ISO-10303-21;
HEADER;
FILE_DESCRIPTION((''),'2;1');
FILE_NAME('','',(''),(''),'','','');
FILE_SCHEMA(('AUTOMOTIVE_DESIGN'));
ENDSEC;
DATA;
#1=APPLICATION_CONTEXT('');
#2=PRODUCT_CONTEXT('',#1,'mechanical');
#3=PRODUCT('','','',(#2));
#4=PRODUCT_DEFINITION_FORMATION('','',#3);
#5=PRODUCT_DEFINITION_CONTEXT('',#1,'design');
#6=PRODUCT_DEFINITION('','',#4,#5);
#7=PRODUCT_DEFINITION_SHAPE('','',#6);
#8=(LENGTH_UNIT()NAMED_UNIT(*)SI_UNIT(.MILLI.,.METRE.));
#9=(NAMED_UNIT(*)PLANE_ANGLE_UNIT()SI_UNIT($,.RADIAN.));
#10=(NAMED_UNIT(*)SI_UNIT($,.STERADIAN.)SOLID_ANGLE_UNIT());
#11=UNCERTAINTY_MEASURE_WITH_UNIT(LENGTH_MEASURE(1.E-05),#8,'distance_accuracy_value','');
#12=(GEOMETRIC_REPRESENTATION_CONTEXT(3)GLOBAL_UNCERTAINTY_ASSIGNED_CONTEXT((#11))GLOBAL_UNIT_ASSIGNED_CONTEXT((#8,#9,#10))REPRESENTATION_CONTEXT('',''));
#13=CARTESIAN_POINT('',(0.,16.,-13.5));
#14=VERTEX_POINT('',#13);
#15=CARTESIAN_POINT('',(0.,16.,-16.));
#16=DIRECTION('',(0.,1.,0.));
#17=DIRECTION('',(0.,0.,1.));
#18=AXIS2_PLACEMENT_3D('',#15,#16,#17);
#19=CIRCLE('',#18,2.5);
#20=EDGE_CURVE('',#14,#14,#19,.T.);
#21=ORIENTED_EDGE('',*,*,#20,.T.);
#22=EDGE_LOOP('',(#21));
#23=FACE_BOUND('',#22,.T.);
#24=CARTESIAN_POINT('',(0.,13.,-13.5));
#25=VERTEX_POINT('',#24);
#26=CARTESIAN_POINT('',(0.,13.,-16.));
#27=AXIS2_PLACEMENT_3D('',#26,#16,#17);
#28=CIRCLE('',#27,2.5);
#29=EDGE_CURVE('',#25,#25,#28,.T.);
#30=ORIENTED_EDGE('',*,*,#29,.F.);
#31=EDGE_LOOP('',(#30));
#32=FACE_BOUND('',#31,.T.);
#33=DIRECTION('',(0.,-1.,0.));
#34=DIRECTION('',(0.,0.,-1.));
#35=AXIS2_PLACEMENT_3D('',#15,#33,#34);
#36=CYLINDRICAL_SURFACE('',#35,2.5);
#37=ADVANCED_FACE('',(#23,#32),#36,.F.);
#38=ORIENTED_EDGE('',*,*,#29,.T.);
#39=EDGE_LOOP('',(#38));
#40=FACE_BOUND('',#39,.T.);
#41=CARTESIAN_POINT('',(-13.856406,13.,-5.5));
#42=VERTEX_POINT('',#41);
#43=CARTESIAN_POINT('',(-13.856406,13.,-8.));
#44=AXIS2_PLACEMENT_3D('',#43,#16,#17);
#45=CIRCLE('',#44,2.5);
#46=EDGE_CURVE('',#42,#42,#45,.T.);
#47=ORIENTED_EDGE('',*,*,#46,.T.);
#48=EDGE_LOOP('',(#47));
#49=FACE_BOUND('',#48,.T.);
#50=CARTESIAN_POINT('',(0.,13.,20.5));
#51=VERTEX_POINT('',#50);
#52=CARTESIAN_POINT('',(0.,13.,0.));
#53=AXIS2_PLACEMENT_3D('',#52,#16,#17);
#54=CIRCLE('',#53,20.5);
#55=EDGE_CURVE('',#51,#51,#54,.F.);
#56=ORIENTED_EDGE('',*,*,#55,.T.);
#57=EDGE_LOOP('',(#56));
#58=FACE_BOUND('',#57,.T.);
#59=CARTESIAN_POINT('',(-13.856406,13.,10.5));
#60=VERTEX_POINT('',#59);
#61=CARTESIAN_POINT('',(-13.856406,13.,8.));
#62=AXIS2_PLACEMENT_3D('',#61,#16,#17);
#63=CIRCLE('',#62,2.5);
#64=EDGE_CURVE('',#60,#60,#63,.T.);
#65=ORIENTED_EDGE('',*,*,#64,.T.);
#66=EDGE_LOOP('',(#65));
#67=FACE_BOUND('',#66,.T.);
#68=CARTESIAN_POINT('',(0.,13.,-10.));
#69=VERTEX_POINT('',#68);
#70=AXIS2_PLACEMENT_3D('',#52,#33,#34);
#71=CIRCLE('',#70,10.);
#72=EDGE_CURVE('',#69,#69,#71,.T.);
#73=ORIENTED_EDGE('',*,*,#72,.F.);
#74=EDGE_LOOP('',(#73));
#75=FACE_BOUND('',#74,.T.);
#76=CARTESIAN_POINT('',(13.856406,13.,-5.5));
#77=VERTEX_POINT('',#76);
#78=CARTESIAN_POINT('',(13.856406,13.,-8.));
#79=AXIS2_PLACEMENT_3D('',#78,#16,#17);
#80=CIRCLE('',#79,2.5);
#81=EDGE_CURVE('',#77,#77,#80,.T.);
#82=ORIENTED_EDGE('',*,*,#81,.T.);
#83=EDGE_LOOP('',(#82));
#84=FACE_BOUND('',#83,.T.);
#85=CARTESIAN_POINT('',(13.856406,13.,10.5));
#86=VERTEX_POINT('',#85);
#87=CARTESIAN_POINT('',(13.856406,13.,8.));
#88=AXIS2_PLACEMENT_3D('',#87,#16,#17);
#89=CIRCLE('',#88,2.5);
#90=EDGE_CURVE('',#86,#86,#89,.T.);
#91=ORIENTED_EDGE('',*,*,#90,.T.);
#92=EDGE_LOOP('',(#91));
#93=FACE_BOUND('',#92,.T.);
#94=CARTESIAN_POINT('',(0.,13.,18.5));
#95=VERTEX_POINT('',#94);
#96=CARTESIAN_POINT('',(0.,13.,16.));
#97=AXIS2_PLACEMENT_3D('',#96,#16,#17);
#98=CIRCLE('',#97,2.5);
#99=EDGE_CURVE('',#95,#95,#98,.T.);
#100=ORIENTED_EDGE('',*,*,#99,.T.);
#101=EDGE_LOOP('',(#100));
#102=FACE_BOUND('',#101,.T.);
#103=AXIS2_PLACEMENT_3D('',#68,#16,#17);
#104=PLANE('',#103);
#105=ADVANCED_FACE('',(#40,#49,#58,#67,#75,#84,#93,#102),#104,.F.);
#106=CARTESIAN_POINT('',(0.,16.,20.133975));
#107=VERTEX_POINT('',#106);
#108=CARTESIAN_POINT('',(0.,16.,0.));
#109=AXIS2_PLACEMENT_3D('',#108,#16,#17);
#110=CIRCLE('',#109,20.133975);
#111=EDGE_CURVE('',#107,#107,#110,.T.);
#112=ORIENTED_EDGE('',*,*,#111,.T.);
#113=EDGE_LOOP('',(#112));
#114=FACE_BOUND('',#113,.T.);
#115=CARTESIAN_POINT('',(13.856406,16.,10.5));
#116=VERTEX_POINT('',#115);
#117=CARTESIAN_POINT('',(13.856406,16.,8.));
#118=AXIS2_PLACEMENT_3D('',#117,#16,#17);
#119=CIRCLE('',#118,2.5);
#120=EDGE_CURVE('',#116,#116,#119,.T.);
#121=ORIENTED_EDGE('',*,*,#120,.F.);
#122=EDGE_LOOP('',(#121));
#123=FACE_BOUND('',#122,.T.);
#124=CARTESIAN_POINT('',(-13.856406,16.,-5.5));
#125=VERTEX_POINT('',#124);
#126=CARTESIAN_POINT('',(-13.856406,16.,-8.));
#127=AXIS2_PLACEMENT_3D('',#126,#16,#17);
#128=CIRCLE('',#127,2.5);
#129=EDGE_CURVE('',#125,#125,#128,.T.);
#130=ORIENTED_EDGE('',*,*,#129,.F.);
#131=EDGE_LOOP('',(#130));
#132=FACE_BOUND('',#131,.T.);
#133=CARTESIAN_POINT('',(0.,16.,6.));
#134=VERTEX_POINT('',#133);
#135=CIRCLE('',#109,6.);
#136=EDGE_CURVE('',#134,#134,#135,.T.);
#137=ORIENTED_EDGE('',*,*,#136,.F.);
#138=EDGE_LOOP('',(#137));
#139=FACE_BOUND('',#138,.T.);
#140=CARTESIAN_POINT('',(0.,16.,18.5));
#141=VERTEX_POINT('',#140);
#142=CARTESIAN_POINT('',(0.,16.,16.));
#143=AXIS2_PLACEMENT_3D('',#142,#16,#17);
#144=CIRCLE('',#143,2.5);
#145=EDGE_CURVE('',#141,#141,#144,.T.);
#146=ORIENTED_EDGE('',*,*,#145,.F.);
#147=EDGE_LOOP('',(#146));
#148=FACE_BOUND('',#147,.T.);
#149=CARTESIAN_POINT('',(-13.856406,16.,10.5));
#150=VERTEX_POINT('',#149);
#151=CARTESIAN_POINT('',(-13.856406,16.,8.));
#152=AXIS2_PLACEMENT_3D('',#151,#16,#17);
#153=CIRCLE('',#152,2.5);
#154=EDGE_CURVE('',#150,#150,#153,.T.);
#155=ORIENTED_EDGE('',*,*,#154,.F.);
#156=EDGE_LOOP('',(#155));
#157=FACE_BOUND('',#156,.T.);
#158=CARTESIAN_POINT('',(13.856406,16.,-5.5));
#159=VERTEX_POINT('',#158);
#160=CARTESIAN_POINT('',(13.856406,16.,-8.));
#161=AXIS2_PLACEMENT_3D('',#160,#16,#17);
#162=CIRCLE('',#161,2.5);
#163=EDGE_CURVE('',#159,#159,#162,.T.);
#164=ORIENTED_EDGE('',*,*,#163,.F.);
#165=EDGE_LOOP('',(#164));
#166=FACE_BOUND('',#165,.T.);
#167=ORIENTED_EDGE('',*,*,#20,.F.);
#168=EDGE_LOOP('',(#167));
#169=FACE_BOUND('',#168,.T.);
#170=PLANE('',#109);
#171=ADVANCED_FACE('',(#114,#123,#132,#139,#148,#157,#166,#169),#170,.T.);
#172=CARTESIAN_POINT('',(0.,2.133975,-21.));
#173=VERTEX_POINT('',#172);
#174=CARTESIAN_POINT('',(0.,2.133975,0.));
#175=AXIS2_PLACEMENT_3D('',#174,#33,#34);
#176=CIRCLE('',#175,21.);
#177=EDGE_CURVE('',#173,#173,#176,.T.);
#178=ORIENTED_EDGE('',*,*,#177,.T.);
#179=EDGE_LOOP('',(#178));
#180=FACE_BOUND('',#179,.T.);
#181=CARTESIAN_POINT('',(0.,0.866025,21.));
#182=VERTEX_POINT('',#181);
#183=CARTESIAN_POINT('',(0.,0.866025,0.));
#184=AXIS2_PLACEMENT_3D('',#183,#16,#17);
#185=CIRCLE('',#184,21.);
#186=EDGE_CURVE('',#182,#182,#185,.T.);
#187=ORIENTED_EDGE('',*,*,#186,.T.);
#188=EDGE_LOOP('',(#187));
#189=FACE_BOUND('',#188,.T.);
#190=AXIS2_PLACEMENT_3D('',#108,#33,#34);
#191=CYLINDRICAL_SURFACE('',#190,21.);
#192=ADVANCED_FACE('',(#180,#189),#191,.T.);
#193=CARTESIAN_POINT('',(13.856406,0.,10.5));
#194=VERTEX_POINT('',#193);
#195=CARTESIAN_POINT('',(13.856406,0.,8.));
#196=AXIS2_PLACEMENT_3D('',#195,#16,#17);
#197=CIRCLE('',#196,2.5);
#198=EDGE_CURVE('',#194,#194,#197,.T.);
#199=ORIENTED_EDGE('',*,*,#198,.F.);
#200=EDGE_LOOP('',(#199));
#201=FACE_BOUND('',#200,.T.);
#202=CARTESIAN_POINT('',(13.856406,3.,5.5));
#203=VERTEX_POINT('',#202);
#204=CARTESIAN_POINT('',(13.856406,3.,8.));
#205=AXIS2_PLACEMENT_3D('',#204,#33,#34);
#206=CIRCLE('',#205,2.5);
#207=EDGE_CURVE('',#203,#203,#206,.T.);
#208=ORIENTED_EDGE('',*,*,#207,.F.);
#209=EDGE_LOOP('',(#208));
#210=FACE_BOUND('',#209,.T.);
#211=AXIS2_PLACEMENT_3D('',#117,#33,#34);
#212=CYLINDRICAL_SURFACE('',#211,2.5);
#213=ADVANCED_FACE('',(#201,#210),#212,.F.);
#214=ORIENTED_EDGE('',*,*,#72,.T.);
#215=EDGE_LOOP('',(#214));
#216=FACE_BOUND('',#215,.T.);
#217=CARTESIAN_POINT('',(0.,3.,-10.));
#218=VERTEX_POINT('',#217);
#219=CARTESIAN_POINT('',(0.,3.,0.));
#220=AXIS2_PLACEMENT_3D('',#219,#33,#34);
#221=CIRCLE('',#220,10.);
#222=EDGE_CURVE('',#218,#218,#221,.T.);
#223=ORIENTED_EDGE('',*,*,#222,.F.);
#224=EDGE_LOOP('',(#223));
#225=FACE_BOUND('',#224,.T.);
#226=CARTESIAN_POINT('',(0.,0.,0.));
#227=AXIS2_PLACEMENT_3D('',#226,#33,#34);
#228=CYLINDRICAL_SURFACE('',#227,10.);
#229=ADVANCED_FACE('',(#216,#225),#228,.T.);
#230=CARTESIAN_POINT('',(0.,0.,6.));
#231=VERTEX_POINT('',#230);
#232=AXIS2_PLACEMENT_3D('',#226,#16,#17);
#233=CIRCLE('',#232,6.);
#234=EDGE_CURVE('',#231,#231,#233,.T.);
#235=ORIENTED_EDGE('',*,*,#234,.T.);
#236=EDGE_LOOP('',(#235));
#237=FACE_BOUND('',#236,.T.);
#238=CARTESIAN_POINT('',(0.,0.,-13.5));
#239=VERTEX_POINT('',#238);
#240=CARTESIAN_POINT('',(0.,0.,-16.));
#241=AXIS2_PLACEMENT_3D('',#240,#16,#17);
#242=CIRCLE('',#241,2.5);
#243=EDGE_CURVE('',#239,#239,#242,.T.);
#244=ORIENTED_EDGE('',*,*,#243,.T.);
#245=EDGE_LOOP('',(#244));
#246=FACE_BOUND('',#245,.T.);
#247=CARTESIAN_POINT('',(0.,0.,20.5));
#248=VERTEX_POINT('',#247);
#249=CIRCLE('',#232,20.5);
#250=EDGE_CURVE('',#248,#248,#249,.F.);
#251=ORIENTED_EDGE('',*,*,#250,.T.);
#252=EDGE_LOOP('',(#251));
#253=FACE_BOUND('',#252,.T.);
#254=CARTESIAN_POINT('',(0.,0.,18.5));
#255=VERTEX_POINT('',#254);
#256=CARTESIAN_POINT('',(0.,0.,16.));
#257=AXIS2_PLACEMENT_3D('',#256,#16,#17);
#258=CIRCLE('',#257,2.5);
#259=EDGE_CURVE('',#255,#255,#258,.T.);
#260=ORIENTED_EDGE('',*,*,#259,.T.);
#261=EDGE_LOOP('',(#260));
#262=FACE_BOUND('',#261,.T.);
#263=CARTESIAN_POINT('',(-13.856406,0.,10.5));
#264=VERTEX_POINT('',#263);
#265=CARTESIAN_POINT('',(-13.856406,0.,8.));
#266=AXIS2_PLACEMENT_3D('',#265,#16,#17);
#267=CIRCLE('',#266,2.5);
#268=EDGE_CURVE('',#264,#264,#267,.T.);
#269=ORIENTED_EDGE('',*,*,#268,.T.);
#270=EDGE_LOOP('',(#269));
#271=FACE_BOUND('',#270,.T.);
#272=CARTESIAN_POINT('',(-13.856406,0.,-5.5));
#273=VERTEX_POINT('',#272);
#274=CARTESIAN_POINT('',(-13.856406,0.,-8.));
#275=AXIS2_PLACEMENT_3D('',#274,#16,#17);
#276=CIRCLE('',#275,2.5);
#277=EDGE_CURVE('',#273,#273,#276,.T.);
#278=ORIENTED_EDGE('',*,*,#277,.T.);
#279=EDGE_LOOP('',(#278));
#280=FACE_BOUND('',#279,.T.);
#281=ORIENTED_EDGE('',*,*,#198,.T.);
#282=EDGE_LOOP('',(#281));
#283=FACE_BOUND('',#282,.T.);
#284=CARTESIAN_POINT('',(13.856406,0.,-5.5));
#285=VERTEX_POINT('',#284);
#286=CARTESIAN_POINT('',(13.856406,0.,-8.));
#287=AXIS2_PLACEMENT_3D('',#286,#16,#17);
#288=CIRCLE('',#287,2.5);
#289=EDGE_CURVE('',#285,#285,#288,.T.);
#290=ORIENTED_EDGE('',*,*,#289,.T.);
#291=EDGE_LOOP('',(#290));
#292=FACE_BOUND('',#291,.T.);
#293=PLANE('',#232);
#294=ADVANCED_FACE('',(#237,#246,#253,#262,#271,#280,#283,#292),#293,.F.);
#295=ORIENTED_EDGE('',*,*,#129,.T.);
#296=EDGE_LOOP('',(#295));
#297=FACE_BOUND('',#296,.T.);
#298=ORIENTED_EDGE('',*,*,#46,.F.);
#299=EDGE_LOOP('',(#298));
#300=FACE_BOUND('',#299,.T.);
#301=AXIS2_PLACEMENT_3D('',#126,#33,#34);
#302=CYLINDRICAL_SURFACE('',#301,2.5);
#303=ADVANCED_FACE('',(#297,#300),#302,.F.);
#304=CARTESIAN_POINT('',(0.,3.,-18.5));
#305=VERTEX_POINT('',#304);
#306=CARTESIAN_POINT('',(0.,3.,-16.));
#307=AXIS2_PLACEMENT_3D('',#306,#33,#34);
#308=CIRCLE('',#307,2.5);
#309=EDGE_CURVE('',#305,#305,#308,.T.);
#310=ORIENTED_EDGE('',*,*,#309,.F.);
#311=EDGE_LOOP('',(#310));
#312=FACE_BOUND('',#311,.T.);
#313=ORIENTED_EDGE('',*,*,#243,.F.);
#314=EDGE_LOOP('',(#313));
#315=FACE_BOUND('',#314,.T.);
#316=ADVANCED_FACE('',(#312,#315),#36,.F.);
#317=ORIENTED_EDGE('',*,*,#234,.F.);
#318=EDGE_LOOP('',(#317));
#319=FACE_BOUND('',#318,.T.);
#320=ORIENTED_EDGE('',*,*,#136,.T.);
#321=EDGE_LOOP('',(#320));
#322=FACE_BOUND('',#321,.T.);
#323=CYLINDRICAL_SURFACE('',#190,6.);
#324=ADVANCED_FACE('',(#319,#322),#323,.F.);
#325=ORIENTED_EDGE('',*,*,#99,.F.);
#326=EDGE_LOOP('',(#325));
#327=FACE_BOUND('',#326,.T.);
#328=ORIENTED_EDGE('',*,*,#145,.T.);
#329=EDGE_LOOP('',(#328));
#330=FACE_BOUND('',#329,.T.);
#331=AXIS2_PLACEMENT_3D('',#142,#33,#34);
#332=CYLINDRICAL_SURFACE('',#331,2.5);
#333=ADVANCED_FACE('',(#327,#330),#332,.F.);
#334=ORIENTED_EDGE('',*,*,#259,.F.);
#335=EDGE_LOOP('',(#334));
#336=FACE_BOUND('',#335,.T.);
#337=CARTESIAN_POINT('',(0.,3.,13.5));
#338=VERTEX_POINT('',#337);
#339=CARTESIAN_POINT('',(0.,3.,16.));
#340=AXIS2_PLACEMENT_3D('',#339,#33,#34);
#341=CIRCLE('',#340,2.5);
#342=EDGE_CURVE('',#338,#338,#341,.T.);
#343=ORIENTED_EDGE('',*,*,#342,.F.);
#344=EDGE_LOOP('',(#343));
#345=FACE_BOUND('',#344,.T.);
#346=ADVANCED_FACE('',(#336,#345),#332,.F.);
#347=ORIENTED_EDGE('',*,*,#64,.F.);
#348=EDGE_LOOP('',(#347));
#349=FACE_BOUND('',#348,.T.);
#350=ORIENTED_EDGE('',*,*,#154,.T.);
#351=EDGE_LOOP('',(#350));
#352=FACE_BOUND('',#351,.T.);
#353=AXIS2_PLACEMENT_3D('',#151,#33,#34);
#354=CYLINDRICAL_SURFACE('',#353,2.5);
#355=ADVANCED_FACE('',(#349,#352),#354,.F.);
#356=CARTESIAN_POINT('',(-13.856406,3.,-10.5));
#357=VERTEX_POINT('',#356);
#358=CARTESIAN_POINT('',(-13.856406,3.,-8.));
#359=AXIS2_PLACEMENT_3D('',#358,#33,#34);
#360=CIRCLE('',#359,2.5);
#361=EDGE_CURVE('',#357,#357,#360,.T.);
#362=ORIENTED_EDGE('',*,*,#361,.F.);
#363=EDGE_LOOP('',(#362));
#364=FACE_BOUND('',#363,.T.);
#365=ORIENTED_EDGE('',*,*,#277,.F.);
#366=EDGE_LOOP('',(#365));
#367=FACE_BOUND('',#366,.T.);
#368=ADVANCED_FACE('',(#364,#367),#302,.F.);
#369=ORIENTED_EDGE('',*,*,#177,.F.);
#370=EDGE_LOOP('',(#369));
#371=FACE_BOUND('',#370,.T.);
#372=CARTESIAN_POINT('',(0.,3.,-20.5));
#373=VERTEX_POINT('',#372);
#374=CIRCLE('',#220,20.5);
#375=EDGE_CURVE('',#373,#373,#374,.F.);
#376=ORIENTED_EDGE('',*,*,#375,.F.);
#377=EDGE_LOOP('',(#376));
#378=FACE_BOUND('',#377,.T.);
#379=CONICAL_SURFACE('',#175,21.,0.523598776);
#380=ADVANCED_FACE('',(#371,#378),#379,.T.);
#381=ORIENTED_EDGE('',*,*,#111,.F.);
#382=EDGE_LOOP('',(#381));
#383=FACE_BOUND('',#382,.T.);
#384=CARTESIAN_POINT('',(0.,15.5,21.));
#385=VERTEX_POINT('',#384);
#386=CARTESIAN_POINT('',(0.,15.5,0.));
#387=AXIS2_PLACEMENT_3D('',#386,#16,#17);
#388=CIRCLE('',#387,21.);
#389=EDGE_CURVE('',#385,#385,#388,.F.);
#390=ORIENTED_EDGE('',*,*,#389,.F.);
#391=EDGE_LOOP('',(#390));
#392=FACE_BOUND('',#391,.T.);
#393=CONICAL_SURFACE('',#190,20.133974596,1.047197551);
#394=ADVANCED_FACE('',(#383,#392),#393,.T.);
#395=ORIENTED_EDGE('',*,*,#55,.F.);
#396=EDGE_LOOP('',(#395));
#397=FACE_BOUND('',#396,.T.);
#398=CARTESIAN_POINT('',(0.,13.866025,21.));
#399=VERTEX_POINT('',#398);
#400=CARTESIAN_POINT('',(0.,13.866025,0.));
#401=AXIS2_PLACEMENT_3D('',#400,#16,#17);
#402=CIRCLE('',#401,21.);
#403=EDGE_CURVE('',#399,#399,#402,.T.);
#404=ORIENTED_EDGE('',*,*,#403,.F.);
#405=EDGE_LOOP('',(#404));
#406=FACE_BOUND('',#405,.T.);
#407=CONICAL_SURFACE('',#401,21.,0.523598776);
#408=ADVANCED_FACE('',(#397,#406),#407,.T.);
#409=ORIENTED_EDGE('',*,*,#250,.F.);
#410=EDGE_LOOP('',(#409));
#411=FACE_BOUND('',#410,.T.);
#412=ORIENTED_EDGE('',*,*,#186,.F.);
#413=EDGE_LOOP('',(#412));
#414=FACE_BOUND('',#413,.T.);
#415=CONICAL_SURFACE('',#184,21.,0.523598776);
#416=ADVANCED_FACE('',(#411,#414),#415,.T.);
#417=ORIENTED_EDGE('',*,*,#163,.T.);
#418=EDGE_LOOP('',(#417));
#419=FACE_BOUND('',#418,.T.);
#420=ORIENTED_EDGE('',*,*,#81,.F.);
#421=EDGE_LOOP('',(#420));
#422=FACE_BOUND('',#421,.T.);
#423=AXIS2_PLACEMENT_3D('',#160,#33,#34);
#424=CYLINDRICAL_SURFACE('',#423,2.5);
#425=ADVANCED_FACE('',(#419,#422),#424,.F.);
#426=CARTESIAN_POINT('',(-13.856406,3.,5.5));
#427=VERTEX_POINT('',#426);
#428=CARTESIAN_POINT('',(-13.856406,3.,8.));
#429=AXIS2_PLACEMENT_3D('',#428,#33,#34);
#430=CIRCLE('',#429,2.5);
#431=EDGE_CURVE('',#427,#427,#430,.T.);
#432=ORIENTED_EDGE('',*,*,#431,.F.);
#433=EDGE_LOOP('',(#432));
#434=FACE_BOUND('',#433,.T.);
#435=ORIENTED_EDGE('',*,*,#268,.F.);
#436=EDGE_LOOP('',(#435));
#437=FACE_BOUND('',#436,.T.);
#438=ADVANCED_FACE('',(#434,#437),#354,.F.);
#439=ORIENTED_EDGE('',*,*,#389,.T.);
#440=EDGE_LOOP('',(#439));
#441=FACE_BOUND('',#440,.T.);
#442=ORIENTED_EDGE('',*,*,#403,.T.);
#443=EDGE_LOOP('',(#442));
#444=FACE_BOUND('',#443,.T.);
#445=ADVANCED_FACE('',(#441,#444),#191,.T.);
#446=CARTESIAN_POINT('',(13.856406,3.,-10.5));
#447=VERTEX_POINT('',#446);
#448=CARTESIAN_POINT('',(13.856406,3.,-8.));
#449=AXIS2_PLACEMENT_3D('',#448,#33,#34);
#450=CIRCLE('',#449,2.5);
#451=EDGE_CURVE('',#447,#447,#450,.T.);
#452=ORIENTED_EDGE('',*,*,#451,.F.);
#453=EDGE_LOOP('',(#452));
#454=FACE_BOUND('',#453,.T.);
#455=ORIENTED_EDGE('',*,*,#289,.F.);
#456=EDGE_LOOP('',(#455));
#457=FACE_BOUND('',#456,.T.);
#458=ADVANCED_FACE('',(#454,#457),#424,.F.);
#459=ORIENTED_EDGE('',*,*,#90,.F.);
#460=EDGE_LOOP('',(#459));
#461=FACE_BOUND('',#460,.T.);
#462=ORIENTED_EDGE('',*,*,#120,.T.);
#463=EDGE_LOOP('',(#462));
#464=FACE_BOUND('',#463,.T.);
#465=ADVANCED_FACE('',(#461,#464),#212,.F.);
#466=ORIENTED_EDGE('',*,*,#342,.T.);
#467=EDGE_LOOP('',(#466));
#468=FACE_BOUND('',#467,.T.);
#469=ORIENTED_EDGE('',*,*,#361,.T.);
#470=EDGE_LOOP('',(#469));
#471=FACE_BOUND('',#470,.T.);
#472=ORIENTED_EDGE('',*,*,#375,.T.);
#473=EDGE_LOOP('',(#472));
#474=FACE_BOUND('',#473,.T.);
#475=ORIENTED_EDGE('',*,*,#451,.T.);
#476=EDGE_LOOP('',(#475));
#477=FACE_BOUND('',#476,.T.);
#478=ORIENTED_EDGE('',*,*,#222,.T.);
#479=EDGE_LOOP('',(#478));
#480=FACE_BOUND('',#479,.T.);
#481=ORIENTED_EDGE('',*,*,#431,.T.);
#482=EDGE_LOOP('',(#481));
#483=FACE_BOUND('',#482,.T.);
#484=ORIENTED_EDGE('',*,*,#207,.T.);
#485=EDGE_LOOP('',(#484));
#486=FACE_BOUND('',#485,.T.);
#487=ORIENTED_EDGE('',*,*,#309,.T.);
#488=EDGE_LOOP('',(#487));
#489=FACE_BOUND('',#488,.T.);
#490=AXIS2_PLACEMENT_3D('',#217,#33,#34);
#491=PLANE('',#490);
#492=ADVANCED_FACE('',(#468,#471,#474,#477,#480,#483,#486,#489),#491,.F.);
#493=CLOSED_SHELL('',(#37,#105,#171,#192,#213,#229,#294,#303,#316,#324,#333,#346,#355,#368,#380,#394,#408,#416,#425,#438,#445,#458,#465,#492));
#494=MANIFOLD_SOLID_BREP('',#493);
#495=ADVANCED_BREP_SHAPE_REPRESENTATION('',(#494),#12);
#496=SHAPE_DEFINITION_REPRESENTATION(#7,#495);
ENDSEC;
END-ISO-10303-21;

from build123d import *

# Parameters (mm, degrees)
SKETCH1_R             = 21
SKETCH1_R_2           = 6
SKETCH1_R_3           = 2.5
BOSS_EXTRUDE1_DEPTH   = 16
SKETCH2_W             = 19.188769359
SKETCH2_H             = 10
CHAMFER1_SIZE         = 0.5
CHAMFER1_SIZE2        = 0.866025404
CHAMFER1_PART_2_SIZE  = 0.5
CHAMFER1_PART_2_SIZE2 = 0.866025404
CHAMFER1_PART_3_SIZE  = 0.5
CHAMFER1_PART_3_SIZE2 = 0.866025404
CHAMFER1_PART_4_SIZE  = 0.5
CHAMFER1_PART_4_SIZE2 = 0.866025404


with BuildPart() as part:
    # Sketch1 → Boss-Extrude1 (new body)
    with BuildSketch(Plane(origin=(0, 0, 0), x_dir=(1, 0, 0), z_dir=(0, 1, 0))):
        Circle(SKETCH1_R)
        Circle(SKETCH1_R_2, mode=Mode.SUBTRACT)
        with Locations((0, 16)):
            Circle(SKETCH1_R_3, mode=Mode.SUBTRACT)
        with Locations((13.856406461, 8)):
            Circle(SKETCH1_R_3, mode=Mode.SUBTRACT)
        with Locations((13.856406461, -8)):
            Circle(SKETCH1_R_3, mode=Mode.SUBTRACT)
        with Locations((0, -16)):
            Circle(SKETCH1_R_3, mode=Mode.SUBTRACT)
        with Locations((-13.856406461, -8)):
            Circle(SKETCH1_R_3, mode=Mode.SUBTRACT)
        with Locations((-13.856406461, 8)):
            Circle(SKETCH1_R_3, mode=Mode.SUBTRACT)
    extrude(amount=BOSS_EXTRUDE1_DEPTH)

    # Sketch2 → Cut-Revolve1 (revolve, cut)
    with BuildSketch(Plane(origin=(0, 0, 0), x_dir=(0, 0, -1), z_dir=(1, 0, 0))):
        with Locations((19.59438468, 8)):
            Rectangle(SKETCH2_W, SKETCH2_H)
    revolve(axis=Axis((0, 0, 0), (0, 1, 0)), mode=Mode.SUBTRACT)

    # Chamfer1
    chamfer1_edges = [part.edges().sort_by_distance(p)[0] for p in [
        (-21, 0, 0),
    ]]
    chamfer1_side = [part.faces().sort_by_distance(p)[0] for p in [
        (-20.406030304, 0, 0),
    ]]
    chamfer(chamfer1_edges, length=CHAMFER1_SIZE, length2=CHAMFER1_SIZE2, reference=chamfer1_side[0])

    # Chamfer1 part 2
    chamfer1_part_2_edges = [part.edges().sort_by_distance(p)[0] for p in [
        (-21, 3, 0),
    ]]
    chamfer1_part_2_side = [part.faces().sort_by_distance(p)[0] for p in [
        (-20.406030304, 3, 0),
    ]]
    chamfer(chamfer1_part_2_edges, length=CHAMFER1_PART_2_SIZE, length2=CHAMFER1_PART_2_SIZE2, reference=chamfer1_part_2_side[0])

    # Chamfer1 part 3
    chamfer1_part_3_edges = [part.edges().sort_by_distance(p)[0] for p in [
        (-21, 13, 0),
    ]]
    chamfer1_part_3_side = [part.faces().sort_by_distance(p)[0] for p in [
        (-20.406030304, 13, 0),
    ]]
    chamfer(chamfer1_part_3_edges, length=CHAMFER1_PART_3_SIZE, length2=CHAMFER1_PART_3_SIZE2, reference=chamfer1_part_3_side[0])

    # Chamfer1 part 4
    chamfer1_part_4_edges = [part.edges().sort_by_distance(p)[0] for p in [
        (-21, 16, 0),
    ]]
    chamfer1_part_4_side = [part.faces().sort_by_distance(p)[0] for p in [
        (-21, 14.5, 0),
    ]]
    chamfer(chamfer1_part_4_edges, length=CHAMFER1_PART_4_SIZE, length2=CHAMFER1_PART_4_SIZE2, reference=chamfer1_part_4_side[0])


solid = part.part
